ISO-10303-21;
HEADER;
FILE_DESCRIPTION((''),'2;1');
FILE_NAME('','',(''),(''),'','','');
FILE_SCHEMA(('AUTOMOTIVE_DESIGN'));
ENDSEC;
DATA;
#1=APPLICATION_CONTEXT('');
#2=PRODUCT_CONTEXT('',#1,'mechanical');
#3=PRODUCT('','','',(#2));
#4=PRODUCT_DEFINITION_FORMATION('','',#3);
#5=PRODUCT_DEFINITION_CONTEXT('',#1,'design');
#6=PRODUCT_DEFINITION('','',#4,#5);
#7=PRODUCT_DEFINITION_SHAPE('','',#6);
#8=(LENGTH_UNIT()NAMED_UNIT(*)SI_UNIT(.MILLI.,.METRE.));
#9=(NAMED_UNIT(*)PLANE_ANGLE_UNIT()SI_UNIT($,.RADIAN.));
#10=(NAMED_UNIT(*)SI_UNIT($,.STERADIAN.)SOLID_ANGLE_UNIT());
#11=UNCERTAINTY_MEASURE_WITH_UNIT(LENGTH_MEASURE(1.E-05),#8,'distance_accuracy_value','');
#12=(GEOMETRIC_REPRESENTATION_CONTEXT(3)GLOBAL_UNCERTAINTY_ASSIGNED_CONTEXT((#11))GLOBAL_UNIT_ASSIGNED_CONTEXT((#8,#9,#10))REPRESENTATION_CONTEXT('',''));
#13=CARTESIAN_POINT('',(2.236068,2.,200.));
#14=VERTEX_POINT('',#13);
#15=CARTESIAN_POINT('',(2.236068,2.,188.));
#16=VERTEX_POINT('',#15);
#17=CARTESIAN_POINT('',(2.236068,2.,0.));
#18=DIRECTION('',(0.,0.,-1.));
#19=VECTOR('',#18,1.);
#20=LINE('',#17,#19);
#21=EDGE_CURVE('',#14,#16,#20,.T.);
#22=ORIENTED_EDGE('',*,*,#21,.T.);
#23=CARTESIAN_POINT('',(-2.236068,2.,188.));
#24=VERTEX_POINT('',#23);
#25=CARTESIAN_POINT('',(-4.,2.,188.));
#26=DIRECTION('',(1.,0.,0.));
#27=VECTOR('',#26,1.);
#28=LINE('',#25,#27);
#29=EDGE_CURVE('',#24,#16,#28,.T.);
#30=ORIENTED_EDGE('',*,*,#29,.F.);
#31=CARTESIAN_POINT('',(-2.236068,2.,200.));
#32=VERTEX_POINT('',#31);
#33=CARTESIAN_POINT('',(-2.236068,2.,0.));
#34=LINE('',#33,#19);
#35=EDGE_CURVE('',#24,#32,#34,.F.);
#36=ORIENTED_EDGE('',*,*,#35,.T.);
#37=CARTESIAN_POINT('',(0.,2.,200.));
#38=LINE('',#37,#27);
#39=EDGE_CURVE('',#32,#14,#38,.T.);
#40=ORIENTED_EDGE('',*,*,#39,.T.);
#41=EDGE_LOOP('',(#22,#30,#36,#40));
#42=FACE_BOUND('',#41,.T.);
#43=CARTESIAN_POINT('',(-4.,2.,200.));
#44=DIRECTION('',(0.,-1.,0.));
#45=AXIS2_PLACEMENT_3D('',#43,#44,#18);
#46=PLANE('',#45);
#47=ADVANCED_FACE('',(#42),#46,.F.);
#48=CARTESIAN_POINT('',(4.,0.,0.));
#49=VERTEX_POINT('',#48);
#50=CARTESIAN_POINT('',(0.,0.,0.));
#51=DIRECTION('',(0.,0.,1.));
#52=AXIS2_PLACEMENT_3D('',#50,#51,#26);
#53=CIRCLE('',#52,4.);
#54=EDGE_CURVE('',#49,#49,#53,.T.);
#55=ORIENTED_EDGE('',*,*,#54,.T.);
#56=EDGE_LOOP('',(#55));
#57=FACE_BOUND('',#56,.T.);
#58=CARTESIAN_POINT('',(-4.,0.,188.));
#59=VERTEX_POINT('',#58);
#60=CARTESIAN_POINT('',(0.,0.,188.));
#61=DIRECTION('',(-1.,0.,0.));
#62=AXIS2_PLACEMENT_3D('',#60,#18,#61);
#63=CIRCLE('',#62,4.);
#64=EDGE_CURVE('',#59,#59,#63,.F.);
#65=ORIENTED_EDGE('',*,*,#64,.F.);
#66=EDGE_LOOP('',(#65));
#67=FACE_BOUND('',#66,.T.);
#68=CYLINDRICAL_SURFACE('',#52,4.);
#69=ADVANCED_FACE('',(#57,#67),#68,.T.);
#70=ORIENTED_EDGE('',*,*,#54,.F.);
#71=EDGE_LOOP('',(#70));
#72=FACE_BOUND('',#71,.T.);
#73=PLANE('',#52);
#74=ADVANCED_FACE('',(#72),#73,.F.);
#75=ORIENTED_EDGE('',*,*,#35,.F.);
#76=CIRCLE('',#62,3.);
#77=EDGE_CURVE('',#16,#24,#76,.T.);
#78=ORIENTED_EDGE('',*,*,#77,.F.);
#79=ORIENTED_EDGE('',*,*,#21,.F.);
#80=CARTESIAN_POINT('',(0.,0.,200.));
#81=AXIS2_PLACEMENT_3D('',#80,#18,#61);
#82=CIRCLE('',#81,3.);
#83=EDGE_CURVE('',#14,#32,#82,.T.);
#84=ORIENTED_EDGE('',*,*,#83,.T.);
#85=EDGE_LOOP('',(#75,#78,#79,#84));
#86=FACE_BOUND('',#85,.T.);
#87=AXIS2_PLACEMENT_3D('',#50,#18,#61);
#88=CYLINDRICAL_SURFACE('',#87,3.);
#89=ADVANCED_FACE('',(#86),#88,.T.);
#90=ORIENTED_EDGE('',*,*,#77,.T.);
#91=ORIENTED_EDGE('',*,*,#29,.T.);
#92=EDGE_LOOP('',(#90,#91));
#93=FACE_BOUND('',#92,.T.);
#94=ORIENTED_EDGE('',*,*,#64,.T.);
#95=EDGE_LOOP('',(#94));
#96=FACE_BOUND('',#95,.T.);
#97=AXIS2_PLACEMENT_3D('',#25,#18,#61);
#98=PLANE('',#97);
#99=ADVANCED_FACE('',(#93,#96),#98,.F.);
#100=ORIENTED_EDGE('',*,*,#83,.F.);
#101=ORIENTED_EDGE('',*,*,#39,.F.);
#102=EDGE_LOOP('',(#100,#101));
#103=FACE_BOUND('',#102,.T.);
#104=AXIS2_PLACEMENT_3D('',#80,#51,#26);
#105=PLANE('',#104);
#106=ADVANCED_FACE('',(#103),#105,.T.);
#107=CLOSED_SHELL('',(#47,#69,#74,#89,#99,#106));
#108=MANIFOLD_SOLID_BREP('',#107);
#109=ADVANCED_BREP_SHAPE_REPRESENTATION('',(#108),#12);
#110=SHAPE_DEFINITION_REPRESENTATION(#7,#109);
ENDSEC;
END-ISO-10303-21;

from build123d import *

# Parameters (mm, degrees)
ESBO_O1_R                  = 6.35
RESSALTO_EXTRUS_O1_DEPTH   = 200
ESBO_O2_R                  = 12.7
ESBO_O2_R_2                = 4
CORTE_EXTRUS_O1_DEPTH      = 201.201510983
CORTE_EXTRUS_O2_DEPTH      = 201.079984006
CORTE_EXTRUS_O2_DEPTH_BACK = 201.079984006
ESBO_O3_W                  = 12
ESBO_O3_H                  = 10
ESBO_O5_W                  = 12
ESBO_O5_H                  = 10


with BuildPart() as part:
    # Esboço1 → Ressalto-extrusão1 (new body)
    with BuildSketch(Plane.XY):
        Circle(ESBO_O1_R)
    extrude(amount=RESSALTO_EXTRUS_O1_DEPTH)

    # Esboço2 → Corte-extrusão1 (cut, through all)
    with BuildSketch(Plane.XY.offset(200)):
        Circle(ESBO_O2_R)
        Circle(ESBO_O2_R_2, mode=Mode.SUBTRACT)
    extrude(amount=-CORTE_EXTRUS_O1_DEPTH, mode=Mode.SUBTRACT)

    # Esboço3 → Corte-extrusão2 (cut, two sides: drawn at the far end of the back side and taken through both)
    with BuildSketch(Plane(origin=(0, 0, 0), x_dir=(0, 0, -1), z_dir=(1, 0, 0)).offset(-CORTE_EXTRUS_O2_DEPTH_BACK)):
        with Locations((-194, 7)):
            Rectangle(ESBO_O3_W, ESBO_O3_H)
    extrude(amount=CORTE_EXTRUS_O2_DEPTH + CORTE_EXTRUS_O2_DEPTH_BACK, mode=Mode.SUBTRACT)

    # Esboço5 → Corte-Revolução2 (revolve, cut)
    with BuildSketch(Plane(origin=(0, 0, 0), x_dir=(0, 0, -1), z_dir=(1, 0, 0)), mode=Mode.PRIVATE) as corte_revolu_o2_sk:
        with Locations((-194, 8)):
            Rectangle(ESBO_O5_W, ESBO_O5_H)
    revolve(corte_revolu_o2_sk.sketch.rotate(Axis((0, 0, 0), (0, 0, 1)), 270), axis=Axis((0, 0, 0), (0, 0, 1)), mode=Mode.SUBTRACT)


solid = part.part
